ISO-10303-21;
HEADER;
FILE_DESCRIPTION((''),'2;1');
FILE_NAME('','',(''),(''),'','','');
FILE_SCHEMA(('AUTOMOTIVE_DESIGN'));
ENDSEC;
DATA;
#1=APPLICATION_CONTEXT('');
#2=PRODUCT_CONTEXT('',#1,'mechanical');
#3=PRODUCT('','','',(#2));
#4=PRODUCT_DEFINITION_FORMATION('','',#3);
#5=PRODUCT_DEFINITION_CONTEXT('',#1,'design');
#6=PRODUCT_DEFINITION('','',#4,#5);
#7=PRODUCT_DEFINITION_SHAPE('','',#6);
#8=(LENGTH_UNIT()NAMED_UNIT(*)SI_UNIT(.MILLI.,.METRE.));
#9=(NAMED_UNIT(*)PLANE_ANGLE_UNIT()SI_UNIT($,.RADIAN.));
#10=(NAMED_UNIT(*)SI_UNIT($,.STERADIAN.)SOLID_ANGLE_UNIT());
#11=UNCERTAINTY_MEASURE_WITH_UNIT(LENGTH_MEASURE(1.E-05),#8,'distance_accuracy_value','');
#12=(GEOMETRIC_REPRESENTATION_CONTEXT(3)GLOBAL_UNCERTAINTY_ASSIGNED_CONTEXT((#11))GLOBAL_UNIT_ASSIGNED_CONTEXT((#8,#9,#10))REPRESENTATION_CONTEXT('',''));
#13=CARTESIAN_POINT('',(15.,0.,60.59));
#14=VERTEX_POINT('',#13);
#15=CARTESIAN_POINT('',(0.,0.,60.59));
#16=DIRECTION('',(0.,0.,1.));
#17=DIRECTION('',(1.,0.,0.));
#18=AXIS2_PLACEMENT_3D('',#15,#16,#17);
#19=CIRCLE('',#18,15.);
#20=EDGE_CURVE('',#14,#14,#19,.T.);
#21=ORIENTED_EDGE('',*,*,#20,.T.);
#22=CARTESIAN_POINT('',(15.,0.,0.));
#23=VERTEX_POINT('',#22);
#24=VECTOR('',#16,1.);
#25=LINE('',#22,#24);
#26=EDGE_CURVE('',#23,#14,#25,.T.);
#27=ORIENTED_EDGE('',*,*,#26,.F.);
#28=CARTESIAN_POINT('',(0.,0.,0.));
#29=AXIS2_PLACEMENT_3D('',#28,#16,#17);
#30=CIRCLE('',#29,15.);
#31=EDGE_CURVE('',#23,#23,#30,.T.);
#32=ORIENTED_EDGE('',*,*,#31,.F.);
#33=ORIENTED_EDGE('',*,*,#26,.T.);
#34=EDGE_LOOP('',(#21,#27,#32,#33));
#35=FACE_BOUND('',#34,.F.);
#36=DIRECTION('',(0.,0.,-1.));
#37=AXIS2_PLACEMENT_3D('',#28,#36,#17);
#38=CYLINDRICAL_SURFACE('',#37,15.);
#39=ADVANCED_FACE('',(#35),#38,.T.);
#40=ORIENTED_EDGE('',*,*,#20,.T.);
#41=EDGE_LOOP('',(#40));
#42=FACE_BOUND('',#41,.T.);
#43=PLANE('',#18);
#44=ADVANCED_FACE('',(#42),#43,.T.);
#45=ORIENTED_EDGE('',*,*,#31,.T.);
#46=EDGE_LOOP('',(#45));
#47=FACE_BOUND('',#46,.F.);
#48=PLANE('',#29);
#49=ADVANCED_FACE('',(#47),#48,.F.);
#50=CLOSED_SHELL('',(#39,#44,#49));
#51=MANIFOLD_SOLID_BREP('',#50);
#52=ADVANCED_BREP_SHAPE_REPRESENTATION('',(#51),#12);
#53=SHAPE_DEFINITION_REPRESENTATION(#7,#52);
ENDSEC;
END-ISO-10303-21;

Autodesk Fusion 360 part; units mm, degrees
sketch "Sketch1" plane through (0, 0, 0) normal (0, 0, 1) x (1, 0, 0)
  circle A0 centre (0, 0) radius 15
  dimension "d1" = 30
extrude "Extrude1" add sketch "Sketch1" along normal blind 60.59
